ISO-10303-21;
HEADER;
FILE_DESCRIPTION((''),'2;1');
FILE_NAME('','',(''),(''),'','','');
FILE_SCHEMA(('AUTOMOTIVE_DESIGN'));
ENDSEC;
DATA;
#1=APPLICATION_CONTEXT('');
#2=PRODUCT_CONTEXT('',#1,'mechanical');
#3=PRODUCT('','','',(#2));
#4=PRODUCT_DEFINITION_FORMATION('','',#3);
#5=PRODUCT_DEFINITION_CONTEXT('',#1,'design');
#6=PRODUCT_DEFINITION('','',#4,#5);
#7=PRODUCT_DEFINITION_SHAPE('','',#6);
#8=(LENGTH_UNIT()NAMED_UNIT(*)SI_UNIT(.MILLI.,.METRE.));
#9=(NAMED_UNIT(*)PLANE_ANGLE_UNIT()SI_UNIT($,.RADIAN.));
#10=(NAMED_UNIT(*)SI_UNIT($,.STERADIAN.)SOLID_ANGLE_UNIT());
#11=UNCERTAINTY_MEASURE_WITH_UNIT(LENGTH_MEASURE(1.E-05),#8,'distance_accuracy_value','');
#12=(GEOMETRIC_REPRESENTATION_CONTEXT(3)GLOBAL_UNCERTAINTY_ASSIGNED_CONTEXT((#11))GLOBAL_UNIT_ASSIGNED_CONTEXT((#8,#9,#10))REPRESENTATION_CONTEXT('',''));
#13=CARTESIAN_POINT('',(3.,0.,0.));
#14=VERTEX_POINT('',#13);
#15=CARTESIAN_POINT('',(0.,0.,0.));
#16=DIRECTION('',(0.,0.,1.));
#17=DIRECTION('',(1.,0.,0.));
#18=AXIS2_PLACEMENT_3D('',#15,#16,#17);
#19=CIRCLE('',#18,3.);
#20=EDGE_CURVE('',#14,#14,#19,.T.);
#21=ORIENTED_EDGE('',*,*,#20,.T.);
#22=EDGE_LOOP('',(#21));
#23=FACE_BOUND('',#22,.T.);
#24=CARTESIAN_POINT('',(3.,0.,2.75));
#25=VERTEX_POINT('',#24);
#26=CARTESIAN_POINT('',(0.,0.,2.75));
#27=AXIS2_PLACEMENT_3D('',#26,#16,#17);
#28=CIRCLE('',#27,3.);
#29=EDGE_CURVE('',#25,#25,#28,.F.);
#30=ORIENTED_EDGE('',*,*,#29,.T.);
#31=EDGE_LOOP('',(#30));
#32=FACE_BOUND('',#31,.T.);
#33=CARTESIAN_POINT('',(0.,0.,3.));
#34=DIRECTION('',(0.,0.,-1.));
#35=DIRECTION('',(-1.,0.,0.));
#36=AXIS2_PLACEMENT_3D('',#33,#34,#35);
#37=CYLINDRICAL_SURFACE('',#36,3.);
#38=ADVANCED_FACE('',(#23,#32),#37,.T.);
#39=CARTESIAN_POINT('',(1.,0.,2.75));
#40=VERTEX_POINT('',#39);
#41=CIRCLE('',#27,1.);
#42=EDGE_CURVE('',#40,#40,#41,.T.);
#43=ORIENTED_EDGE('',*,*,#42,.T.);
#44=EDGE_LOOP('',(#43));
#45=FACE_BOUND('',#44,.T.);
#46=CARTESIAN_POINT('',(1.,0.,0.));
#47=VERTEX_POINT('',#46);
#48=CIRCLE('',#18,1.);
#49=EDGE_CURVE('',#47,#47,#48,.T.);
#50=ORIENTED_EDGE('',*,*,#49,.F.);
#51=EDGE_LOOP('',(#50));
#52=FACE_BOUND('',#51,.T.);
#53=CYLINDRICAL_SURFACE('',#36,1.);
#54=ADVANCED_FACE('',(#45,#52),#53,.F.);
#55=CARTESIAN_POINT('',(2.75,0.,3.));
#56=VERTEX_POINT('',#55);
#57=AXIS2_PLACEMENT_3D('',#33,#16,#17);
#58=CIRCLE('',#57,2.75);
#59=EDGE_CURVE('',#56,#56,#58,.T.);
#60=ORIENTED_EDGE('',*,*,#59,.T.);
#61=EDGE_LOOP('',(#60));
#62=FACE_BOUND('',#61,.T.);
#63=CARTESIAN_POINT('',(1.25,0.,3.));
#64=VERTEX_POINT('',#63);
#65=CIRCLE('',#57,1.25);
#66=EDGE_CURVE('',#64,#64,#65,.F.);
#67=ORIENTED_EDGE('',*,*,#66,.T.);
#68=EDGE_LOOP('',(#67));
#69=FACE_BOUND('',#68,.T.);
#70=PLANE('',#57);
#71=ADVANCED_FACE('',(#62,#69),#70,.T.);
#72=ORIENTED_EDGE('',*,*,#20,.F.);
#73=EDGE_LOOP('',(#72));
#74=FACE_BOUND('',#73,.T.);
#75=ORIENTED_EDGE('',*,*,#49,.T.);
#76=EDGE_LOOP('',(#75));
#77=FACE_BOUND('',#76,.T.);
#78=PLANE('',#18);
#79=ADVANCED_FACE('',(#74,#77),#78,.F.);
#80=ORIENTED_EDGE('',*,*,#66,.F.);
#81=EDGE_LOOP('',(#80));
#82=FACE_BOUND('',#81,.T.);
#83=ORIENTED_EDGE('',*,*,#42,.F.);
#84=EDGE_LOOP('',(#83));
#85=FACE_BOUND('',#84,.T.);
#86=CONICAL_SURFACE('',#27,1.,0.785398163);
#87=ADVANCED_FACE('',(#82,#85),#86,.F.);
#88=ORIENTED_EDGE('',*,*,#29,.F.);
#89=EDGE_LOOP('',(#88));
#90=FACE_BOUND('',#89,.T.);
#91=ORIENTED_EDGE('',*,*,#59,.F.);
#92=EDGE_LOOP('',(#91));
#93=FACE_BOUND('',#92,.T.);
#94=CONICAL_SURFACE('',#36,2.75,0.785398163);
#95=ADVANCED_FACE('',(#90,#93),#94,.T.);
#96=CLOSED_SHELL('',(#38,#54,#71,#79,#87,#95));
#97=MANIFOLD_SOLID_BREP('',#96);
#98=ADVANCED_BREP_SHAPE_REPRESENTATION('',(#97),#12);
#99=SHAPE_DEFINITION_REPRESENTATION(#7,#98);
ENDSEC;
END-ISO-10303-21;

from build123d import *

# Parameters (mm, degrees)
SKETCH1_R           = 3
SKETCH1_R_2         = 1
EXTRUDE_THIN1_DEPTH = 3
CHAMFER1_SIZE       = 0.25
CHAMFER2_SIZE       = 0.25


with BuildPart() as part:
    # Sketch1 → Extrude-Thin1 (new body)
    with BuildSketch(Plane.XY):
        Circle(SKETCH1_R)
        Circle(SKETCH1_R_2, mode=Mode.SUBTRACT)
    extrude(amount=EXTRUDE_THIN1_DEPTH)

    # Chamfer1
    chamfer1_edges = [part.edges().sort_by_distance(p)[0] for p in [
        (-3, 0, 3),
    ]]
    chamfer(chamfer1_edges, length=CHAMFER1_SIZE)

    # Chamfer2
    chamfer2_edges = [part.edges().sort_by_distance(p)[0] for p in [
        (-1, 0, 3),
    ]]
    chamfer(chamfer2_edges, length=CHAMFER2_SIZE)


solid = part.part
